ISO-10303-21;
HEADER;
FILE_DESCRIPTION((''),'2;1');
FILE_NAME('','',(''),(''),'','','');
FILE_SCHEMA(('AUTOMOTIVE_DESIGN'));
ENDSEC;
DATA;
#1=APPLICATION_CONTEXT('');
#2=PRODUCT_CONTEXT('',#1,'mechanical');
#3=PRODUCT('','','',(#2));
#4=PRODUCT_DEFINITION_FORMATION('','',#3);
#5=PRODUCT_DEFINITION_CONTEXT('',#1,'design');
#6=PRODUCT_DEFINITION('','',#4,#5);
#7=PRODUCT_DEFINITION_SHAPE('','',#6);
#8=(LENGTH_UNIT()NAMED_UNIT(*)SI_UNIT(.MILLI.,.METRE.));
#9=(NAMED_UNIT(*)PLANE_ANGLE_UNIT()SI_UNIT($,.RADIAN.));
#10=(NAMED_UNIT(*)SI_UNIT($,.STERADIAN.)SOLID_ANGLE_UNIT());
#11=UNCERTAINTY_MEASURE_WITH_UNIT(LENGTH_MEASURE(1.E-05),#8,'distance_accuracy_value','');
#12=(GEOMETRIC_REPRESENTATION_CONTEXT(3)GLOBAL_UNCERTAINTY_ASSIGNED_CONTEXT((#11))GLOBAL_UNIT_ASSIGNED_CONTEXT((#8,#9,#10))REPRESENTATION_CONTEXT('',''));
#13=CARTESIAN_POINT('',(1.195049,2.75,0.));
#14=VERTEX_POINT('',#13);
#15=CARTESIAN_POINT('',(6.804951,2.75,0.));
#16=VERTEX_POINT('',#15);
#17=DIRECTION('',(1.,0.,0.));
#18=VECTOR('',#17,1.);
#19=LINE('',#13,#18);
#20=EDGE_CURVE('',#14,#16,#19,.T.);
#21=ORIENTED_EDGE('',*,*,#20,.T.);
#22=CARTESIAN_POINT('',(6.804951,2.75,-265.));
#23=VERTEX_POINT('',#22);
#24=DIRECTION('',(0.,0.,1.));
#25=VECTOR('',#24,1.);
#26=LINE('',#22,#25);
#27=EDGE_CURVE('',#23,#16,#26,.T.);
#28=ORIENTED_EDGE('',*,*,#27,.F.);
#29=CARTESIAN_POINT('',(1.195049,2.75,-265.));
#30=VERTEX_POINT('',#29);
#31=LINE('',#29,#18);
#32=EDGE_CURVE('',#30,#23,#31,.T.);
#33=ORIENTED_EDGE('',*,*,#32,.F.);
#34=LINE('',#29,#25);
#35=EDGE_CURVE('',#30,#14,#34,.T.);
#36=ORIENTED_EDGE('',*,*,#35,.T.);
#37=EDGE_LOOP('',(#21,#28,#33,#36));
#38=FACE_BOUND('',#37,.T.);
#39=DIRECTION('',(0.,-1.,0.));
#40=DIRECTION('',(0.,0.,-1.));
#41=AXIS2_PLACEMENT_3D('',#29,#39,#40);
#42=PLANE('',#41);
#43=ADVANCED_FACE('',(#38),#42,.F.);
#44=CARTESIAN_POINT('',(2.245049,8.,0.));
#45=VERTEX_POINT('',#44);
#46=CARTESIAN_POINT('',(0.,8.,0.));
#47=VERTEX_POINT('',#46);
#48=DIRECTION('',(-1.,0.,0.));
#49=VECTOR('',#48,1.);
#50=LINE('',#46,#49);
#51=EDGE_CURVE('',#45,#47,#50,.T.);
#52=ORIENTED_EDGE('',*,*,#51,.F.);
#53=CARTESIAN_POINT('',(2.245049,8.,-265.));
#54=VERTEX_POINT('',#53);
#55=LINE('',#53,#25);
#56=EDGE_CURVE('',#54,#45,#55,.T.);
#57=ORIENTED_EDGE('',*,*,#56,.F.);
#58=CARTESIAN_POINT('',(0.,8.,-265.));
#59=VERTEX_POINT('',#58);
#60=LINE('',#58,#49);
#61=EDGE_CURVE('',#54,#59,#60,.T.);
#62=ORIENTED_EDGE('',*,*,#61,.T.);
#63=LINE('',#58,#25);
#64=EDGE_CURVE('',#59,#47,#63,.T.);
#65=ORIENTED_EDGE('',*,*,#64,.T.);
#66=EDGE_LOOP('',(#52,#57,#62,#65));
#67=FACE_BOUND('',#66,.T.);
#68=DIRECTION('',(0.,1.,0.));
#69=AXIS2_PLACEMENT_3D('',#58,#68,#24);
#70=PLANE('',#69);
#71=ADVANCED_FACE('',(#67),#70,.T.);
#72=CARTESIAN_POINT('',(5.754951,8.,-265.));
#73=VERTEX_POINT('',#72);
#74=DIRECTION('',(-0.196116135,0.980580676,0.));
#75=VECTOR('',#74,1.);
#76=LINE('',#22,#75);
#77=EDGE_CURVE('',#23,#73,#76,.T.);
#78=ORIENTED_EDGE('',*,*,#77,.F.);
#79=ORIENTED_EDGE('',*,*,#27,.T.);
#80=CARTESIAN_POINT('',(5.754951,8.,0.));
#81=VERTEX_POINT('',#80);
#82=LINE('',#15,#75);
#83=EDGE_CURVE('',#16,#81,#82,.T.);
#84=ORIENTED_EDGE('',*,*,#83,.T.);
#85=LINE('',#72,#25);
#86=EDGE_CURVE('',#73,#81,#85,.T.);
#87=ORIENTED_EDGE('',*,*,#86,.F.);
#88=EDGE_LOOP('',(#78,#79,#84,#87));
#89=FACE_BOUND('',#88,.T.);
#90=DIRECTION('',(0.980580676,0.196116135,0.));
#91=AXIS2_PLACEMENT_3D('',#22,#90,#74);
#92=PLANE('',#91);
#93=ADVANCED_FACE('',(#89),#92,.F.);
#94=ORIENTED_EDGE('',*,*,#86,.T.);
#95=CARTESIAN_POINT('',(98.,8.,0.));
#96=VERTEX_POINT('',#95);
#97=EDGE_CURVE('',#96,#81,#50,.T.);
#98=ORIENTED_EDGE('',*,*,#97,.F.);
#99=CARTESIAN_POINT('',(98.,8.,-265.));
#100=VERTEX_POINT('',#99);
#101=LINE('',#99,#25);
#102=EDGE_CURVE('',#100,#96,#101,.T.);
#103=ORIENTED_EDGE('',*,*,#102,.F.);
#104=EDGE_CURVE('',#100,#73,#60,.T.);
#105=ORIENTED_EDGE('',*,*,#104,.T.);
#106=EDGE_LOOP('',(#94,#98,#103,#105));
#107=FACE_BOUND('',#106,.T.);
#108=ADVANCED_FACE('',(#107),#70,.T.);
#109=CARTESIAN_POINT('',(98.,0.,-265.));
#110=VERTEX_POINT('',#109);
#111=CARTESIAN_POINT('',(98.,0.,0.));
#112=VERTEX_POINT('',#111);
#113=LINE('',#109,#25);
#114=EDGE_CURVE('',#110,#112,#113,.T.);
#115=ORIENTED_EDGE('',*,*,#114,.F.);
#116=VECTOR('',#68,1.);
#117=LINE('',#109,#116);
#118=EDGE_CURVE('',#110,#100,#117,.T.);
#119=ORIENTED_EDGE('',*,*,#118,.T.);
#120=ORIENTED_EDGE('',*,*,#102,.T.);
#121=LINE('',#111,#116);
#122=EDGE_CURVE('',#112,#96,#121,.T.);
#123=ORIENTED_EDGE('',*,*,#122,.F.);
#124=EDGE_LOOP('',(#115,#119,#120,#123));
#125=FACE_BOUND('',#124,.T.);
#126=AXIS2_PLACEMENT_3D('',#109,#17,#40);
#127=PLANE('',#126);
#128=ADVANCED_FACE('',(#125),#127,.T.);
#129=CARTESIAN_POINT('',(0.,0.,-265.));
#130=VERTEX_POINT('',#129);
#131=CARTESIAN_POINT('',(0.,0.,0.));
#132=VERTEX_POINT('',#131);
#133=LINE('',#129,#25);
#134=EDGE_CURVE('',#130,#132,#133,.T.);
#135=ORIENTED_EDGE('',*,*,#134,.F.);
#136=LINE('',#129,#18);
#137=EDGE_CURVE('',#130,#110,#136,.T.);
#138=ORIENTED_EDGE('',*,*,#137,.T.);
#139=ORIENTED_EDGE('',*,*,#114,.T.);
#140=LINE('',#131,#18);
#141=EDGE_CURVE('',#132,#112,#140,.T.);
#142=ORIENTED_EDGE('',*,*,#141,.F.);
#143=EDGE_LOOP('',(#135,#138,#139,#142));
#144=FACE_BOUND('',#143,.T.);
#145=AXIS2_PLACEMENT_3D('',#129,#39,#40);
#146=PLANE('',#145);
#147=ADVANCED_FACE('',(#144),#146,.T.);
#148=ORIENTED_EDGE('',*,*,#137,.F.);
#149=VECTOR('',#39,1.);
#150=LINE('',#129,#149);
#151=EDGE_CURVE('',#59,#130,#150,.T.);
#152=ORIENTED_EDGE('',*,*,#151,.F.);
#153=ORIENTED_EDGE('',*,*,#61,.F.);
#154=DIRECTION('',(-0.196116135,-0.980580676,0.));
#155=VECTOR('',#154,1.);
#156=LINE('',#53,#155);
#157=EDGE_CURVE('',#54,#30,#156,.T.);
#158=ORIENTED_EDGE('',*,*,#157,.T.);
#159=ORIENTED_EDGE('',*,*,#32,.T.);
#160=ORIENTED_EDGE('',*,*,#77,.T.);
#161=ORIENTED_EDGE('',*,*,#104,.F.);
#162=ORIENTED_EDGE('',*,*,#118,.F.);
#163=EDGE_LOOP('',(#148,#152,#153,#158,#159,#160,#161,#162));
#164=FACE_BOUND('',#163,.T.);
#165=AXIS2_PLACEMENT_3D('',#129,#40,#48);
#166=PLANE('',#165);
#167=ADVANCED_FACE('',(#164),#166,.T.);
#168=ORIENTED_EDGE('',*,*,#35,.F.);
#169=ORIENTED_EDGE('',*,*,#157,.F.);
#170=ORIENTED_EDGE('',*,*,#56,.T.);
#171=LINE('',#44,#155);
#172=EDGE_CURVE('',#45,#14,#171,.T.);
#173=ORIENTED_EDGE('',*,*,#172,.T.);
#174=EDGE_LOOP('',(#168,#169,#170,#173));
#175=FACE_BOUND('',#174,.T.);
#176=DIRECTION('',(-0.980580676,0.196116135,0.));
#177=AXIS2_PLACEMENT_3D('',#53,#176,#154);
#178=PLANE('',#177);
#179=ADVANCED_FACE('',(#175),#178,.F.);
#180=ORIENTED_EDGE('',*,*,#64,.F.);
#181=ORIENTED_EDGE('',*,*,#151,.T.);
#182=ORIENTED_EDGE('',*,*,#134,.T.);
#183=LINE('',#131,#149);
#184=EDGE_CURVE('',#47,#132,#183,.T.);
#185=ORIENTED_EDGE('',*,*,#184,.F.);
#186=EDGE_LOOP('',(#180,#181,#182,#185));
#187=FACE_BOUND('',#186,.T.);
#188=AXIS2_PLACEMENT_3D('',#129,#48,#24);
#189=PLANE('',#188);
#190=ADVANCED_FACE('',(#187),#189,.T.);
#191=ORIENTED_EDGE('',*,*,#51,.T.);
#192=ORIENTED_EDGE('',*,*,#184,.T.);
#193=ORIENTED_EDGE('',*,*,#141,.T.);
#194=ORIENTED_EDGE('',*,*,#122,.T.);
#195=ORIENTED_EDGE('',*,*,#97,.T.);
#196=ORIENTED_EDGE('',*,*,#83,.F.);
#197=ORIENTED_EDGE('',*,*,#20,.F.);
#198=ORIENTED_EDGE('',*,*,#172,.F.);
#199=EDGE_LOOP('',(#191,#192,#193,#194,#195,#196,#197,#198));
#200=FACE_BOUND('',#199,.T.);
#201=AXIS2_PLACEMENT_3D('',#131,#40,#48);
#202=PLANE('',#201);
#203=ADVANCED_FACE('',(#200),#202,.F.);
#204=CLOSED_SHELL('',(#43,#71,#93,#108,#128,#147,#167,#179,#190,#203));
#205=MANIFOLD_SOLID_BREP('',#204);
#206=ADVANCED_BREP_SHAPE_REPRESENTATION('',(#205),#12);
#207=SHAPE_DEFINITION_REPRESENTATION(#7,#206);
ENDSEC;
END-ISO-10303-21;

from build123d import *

# Parameters (mm, degrees)
SKETCH1_W           = 98
SKETCH1_H           = 8
BOSS_EXTRUDE1_DEPTH = 265
CUT_EXTRUDE2_DEPTH  = 265


with BuildPart() as part:
    # Sketch1 → Boss-Extrude1 (new body)
    with BuildSketch(Plane.XY):
        with Locations((49, 4)):
            Rectangle(SKETCH1_W, SKETCH1_H)
    extrude(amount=-BOSS_EXTRUDE1_DEPTH)

    # Sketch2 → Cut-Extrude2 (cut)
    with BuildSketch(Plane.XY):
        Polygon((2.245049024, 8), (1.195049024, 2.75), (6.804950976, 2.75), (5.754950976, 8), align=None)
    extrude(amount=-CUT_EXTRUDE2_DEPTH, mode=Mode.SUBTRACT)


solid = part.part
